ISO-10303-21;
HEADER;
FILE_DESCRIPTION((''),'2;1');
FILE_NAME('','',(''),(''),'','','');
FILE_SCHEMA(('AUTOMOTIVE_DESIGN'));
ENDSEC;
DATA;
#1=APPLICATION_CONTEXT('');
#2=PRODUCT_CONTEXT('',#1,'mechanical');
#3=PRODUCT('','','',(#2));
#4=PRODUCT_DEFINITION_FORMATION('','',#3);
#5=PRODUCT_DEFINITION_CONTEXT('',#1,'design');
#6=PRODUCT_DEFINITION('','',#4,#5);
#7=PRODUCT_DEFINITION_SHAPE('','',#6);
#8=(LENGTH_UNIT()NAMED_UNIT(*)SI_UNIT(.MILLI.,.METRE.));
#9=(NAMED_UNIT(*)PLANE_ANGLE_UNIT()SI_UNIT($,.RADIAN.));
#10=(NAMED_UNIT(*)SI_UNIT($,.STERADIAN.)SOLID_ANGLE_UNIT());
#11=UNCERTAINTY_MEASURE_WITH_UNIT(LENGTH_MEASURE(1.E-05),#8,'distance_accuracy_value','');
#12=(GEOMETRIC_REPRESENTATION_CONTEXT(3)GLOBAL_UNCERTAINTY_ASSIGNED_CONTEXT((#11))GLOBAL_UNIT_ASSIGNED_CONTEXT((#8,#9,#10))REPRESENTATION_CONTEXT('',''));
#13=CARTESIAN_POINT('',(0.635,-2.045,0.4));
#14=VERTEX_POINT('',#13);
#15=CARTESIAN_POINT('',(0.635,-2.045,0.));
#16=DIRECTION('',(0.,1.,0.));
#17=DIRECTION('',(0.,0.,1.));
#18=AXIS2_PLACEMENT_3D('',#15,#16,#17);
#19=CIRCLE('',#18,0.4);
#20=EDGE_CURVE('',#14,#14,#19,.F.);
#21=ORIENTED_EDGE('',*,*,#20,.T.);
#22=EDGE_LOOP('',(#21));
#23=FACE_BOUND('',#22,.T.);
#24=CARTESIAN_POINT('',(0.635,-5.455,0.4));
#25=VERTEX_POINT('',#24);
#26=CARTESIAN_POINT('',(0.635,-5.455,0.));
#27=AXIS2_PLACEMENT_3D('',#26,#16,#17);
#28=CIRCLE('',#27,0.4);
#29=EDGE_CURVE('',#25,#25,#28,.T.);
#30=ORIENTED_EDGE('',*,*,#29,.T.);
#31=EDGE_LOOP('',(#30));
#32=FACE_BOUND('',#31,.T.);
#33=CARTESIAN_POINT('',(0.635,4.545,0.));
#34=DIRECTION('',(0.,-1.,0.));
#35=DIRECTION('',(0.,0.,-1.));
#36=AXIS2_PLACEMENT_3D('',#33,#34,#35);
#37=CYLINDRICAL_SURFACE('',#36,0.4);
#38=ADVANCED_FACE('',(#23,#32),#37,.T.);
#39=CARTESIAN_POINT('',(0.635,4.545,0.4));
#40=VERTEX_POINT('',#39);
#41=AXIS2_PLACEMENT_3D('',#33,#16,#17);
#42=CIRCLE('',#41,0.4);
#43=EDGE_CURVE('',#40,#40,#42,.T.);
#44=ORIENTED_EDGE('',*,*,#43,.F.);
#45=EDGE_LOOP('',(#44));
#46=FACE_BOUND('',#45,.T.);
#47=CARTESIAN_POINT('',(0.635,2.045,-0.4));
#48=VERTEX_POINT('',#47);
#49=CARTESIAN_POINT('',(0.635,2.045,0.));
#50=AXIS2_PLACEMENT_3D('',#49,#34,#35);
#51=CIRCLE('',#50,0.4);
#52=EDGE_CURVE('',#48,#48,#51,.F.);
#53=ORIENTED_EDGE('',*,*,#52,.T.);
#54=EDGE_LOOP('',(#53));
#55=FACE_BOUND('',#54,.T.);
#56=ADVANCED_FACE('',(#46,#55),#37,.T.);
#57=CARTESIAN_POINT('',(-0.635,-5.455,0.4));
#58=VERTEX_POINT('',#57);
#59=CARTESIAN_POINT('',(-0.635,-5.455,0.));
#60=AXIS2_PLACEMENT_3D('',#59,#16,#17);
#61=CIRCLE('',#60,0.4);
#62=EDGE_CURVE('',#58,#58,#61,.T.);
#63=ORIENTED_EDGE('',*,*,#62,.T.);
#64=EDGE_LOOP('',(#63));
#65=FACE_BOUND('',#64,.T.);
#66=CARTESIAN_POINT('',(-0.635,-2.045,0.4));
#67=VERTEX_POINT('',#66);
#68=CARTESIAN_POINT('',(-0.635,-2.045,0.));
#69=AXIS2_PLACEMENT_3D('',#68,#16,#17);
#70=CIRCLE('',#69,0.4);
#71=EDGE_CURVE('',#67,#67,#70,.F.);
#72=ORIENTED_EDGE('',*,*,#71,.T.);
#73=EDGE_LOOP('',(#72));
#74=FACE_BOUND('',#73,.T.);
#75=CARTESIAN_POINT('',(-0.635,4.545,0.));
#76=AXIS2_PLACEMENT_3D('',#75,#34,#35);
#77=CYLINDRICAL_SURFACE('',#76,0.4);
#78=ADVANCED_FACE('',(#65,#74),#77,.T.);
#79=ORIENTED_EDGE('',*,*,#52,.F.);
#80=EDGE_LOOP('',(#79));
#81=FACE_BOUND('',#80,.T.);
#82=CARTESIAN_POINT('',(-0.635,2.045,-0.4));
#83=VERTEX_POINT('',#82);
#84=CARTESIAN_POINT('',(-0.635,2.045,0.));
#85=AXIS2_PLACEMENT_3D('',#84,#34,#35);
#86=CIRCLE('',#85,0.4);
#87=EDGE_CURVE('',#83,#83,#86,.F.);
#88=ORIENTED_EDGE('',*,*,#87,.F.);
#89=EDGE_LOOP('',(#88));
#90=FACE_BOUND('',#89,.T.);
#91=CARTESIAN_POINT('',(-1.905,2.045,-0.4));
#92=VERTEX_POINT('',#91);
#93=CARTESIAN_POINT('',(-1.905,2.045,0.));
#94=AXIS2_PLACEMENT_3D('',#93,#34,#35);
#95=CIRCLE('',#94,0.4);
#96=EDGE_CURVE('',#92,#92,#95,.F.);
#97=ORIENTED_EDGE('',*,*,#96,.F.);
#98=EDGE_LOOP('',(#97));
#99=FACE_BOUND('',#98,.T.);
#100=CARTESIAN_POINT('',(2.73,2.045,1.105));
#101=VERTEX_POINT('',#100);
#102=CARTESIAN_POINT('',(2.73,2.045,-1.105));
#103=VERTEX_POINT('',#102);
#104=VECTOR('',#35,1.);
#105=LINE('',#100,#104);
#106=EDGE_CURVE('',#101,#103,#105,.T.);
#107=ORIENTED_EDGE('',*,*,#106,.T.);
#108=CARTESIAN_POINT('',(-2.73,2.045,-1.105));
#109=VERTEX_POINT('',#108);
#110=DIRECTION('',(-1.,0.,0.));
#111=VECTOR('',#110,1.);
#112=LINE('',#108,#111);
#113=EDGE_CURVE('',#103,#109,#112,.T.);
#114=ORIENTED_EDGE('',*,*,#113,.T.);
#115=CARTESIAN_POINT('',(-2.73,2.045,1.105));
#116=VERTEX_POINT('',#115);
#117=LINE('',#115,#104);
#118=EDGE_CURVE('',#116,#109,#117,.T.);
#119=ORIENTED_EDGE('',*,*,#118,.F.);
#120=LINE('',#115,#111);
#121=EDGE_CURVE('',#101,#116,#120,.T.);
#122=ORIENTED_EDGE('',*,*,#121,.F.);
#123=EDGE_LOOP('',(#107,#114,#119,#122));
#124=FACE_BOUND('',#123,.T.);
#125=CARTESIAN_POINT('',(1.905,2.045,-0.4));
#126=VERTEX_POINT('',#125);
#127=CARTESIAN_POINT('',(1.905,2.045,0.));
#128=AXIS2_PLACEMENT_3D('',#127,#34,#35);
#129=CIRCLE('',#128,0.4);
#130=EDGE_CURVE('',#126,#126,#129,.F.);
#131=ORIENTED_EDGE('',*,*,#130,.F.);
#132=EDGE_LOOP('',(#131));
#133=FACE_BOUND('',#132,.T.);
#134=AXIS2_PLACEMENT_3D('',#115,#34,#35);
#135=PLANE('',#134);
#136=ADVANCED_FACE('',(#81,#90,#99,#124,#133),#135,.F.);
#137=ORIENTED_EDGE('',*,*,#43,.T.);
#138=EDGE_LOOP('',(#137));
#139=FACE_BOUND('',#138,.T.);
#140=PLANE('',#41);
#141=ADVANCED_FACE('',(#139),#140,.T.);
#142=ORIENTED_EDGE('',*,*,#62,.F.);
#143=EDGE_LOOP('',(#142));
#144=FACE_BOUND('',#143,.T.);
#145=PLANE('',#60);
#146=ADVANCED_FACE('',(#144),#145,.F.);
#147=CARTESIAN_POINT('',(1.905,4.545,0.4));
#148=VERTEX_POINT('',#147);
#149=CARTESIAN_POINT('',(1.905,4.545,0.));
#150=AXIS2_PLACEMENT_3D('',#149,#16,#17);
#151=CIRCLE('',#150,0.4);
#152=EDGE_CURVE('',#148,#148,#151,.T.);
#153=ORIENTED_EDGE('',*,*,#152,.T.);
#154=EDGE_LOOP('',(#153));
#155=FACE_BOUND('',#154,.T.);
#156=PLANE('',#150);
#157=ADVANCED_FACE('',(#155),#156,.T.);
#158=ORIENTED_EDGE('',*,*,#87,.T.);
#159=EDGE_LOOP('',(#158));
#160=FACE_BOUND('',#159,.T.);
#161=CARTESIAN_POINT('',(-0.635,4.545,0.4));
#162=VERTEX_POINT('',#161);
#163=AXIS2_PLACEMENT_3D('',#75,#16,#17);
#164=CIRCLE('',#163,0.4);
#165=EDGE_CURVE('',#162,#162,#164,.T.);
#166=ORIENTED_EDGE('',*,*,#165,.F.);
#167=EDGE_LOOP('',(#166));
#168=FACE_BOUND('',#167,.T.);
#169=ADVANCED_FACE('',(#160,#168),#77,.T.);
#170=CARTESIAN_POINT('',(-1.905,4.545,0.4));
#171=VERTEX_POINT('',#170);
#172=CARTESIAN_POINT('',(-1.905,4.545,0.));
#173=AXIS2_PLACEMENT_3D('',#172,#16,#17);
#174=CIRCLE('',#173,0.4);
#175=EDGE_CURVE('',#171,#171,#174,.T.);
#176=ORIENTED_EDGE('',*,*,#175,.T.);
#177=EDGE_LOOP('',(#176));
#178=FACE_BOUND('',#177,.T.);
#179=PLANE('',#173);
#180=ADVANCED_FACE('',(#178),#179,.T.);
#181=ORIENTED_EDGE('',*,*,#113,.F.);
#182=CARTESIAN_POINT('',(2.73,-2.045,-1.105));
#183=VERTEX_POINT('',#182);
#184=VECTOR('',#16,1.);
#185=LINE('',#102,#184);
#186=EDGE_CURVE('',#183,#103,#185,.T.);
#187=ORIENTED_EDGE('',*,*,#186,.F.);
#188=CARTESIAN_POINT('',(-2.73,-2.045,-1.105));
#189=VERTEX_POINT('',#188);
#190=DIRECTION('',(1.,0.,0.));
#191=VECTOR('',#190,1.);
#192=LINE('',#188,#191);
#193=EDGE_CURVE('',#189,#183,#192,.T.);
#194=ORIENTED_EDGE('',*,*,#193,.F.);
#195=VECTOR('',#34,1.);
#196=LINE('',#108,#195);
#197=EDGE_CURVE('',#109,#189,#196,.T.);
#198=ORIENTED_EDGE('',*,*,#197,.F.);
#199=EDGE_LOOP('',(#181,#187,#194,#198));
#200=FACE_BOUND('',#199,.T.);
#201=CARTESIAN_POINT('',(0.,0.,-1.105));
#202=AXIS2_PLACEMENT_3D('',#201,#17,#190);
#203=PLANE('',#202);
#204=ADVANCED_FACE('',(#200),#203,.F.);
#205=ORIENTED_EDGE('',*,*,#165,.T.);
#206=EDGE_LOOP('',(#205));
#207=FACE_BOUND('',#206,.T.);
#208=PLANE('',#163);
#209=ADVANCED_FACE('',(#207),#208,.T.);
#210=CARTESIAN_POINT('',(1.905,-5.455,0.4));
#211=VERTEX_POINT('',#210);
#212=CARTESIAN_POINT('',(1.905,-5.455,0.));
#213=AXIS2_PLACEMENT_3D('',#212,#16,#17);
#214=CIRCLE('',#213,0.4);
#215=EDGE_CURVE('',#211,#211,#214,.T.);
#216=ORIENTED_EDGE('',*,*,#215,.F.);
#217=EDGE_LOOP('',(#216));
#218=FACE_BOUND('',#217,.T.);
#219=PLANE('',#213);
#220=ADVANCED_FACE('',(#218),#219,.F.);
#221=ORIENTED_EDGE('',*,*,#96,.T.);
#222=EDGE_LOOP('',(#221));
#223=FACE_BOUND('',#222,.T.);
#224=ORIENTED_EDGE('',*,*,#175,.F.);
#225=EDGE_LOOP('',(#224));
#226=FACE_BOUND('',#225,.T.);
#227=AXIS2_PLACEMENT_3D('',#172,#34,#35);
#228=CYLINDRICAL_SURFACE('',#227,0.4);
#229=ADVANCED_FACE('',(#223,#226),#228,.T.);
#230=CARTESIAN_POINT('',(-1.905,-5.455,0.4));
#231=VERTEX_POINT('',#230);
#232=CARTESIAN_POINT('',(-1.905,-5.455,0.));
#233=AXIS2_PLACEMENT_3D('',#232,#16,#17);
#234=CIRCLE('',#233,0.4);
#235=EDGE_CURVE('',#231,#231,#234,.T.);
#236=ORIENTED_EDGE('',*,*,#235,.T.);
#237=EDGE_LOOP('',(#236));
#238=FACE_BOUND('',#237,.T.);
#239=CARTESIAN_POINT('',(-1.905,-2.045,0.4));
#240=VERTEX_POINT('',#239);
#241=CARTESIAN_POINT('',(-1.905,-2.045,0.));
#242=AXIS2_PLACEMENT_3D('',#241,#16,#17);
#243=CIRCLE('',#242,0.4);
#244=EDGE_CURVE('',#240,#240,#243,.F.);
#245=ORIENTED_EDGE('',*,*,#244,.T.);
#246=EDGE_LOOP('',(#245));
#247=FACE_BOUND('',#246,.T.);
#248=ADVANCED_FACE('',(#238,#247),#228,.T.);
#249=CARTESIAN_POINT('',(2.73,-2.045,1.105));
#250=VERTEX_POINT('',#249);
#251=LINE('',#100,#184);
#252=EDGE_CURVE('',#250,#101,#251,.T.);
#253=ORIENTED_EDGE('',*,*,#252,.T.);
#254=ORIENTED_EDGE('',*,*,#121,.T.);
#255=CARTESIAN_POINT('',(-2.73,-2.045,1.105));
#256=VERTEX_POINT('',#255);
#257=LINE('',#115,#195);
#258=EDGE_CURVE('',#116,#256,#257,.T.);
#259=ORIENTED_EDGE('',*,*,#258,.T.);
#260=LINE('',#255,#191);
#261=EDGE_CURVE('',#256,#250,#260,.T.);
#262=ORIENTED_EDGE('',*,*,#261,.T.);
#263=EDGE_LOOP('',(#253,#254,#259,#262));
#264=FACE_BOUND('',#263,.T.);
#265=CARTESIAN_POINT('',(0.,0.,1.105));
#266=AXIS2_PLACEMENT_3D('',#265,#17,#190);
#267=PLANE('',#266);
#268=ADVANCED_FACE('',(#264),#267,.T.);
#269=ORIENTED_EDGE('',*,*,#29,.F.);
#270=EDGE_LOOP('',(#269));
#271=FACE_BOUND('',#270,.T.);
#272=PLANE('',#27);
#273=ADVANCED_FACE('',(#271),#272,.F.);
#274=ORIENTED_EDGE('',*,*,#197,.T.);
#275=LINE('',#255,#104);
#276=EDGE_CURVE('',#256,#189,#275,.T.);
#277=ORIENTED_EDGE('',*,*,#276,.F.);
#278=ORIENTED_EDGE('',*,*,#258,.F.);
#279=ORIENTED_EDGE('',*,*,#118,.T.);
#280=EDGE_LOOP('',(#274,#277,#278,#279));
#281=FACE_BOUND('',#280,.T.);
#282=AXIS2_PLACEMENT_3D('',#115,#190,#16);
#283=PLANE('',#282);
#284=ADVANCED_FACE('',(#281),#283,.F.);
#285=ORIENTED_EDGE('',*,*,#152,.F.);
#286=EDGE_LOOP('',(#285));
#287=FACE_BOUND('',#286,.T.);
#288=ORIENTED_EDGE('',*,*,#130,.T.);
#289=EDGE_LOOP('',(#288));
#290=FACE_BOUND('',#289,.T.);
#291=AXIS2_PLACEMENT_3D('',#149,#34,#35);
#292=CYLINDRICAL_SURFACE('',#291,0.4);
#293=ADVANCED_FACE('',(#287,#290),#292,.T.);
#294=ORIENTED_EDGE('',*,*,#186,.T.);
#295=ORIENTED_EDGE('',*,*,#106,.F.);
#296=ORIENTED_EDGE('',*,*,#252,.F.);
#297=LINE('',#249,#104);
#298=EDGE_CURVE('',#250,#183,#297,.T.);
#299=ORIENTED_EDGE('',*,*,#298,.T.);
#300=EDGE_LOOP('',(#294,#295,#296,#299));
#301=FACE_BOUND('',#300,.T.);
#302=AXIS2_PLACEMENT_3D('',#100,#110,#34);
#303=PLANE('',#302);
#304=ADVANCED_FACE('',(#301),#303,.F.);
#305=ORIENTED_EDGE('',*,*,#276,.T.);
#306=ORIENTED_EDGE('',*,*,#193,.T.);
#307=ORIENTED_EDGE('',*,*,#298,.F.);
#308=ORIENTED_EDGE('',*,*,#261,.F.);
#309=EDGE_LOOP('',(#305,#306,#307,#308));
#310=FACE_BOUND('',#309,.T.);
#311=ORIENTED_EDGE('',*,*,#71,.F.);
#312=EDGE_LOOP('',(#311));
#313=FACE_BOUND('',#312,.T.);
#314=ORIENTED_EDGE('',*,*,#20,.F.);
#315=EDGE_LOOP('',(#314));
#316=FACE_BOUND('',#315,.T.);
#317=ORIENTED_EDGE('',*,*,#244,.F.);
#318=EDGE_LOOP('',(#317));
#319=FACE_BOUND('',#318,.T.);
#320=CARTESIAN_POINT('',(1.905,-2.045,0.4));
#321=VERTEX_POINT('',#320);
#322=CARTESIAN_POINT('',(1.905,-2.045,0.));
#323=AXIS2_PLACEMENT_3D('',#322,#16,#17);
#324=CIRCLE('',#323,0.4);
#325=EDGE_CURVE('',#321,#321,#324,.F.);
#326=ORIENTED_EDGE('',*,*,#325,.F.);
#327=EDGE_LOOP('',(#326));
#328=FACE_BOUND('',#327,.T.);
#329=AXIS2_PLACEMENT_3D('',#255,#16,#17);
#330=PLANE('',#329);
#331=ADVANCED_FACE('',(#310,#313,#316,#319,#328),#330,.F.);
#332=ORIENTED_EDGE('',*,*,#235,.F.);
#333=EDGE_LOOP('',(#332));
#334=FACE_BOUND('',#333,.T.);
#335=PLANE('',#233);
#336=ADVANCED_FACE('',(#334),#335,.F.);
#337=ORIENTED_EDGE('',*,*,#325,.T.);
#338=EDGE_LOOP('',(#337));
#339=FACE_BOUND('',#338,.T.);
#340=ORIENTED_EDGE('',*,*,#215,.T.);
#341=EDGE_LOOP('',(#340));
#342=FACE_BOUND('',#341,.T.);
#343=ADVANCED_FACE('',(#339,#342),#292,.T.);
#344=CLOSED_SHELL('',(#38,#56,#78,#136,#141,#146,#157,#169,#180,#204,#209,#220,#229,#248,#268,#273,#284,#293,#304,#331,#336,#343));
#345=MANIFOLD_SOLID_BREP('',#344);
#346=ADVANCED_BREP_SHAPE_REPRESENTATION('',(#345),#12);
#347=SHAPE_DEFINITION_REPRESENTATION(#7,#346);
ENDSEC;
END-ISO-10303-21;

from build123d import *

# Parameters (mm, degrees)
SKETCH1_W           = 5.46
SKETCH1_H           = 4.09
BOSS_EXTRUDE1_DEPTH = 1.105
BOSS_EXTRUDE2_START = -7.5
SKETCH2_R           = 0.4
BOSS_EXTRUDE2_DEPTH = 10


with BuildPart() as part:
    # Sketch1 → Boss-Extrude1 (new, symmetric)
    with BuildSketch(Plane.XY):
        Rectangle(SKETCH1_W, SKETCH1_H)
    extrude(amount=BOSS_EXTRUDE1_DEPTH, both=True)

    # Sketch2 → Boss-Extrude2 (add)
    with BuildSketch(Plane(origin=(0, 2.045, 0), x_dir=(1, 0, 0), z_dir=(0, 1, 0)).offset(BOSS_EXTRUDE2_START)):
        with Locations(Location((-1.905, 0, 0), (0, 0, 270))):
            Circle(SKETCH2_R)
        with Locations(Location((-0.635, 0, 0), (0, 0, 270))):
            Circle(SKETCH2_R)
        with Locations(Location((0.635, 0, 0), (0, 0, 270))):
            Circle(SKETCH2_R)
        with Locations(Location((1.905, 0, 0), (0, 0, 270))):
            Circle(SKETCH2_R)
    extrude(amount=BOSS_EXTRUDE2_DEPTH)


solid = part.part
